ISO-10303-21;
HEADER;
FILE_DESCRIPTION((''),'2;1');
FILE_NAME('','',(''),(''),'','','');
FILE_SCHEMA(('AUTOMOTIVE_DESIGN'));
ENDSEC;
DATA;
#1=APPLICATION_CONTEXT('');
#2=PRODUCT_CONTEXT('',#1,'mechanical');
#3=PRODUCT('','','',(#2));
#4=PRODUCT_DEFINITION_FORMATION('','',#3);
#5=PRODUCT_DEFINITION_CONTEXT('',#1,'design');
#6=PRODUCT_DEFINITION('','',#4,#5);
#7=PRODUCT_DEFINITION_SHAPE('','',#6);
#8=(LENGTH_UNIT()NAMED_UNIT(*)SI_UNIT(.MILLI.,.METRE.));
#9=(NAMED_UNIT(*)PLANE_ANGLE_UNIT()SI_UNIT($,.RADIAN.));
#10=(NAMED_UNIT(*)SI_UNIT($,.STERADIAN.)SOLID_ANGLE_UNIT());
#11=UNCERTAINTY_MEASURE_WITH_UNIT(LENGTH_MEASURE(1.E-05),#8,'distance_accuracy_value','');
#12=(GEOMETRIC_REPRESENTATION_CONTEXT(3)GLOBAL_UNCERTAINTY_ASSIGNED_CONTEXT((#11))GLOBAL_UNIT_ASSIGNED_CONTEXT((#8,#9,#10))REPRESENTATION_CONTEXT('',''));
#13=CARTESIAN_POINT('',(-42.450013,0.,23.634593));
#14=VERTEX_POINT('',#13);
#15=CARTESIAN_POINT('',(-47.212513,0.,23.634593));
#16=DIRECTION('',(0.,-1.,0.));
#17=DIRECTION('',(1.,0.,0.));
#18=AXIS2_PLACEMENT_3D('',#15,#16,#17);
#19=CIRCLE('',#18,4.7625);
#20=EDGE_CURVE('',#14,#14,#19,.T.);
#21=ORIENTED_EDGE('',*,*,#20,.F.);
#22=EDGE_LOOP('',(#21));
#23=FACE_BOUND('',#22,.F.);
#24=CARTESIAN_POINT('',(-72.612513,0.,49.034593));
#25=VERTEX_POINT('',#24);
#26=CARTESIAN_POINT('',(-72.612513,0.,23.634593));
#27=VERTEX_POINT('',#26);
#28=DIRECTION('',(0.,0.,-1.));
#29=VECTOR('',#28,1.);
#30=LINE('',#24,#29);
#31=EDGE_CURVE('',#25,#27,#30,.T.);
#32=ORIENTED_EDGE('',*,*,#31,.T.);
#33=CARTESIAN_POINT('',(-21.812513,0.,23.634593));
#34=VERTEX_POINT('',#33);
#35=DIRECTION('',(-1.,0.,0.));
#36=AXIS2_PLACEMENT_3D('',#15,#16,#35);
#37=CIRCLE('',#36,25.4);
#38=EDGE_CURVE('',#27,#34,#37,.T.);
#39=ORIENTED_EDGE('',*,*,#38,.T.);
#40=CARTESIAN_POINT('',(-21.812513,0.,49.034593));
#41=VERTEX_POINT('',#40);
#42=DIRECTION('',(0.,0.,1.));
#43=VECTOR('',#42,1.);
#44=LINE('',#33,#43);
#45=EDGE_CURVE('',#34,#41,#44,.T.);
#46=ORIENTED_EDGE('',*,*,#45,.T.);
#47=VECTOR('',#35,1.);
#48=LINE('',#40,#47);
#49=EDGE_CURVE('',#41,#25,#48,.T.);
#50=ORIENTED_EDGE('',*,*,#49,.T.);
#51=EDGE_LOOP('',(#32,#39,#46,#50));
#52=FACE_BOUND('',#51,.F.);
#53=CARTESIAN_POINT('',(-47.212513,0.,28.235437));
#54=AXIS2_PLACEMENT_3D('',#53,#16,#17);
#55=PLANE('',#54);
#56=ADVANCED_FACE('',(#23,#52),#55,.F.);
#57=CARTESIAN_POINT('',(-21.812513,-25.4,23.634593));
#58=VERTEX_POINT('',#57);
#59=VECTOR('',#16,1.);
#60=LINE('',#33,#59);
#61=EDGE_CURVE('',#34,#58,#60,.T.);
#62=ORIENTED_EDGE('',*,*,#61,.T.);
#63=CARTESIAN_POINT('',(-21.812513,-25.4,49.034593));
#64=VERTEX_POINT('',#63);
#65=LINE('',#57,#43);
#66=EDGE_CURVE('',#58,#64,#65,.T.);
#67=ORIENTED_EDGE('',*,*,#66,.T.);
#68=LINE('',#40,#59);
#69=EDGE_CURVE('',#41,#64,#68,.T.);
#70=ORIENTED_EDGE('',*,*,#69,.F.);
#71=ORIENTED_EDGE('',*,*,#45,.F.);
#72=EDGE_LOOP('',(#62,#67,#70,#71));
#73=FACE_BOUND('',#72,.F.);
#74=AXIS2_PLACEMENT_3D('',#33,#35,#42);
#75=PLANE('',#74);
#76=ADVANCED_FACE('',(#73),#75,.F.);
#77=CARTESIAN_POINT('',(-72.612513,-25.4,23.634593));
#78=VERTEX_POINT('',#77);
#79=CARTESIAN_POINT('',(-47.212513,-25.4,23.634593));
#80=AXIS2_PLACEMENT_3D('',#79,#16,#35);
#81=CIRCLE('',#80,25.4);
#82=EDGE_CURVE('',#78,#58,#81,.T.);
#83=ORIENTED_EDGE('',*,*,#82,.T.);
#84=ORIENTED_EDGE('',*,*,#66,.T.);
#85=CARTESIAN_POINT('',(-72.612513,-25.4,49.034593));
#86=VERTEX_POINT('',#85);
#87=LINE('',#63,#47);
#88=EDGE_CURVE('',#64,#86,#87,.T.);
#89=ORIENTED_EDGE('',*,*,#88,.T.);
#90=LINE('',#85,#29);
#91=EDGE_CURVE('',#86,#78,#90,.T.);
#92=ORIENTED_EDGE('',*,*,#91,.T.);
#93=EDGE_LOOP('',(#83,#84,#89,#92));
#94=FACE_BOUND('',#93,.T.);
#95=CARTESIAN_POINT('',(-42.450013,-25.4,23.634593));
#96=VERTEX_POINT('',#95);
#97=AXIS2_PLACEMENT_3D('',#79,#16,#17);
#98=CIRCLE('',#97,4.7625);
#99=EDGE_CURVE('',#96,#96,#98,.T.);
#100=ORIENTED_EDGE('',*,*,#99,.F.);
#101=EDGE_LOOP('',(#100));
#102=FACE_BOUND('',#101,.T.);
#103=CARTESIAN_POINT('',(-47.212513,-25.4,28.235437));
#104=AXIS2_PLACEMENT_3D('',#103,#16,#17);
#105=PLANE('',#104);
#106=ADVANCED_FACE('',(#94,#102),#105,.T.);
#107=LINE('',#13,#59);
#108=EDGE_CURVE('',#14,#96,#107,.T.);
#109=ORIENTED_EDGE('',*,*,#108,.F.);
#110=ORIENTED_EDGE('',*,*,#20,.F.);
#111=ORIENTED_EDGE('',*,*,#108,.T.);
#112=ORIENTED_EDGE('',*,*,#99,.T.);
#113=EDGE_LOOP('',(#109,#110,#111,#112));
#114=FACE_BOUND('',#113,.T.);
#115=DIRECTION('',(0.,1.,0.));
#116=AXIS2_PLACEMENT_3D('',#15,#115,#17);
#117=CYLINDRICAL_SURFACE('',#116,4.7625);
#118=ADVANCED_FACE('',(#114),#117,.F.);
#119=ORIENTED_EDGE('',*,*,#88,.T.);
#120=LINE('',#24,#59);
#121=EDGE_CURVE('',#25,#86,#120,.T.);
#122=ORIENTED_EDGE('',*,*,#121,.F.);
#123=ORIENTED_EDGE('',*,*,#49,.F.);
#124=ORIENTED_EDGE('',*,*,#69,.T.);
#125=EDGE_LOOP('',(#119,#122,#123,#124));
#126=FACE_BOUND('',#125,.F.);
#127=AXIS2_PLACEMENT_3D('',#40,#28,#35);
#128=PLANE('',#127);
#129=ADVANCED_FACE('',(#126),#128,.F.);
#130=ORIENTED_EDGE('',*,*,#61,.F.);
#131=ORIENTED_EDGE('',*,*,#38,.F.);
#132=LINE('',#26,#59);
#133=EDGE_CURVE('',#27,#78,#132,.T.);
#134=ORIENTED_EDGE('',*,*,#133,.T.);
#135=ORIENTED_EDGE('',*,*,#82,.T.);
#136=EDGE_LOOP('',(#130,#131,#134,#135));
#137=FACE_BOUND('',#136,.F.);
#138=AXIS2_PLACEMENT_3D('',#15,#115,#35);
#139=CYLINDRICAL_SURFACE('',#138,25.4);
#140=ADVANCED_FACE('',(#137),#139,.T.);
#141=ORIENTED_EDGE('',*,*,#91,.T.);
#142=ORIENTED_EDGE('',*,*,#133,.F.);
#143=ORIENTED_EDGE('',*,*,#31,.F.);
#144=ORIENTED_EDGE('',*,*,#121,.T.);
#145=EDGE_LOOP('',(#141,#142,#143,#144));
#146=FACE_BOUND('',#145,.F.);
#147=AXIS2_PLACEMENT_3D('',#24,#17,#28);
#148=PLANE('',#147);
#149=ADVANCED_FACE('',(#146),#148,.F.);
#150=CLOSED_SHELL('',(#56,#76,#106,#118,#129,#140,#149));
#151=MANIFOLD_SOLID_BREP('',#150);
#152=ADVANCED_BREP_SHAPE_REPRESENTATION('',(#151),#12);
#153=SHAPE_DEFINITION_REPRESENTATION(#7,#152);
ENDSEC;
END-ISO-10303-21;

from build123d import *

# Parameters (mm, degrees)
F0_R     = 4.7625
F1_DEPTH = 25.4


with BuildPart() as f1:
    # F0 (on Front) → F1 (new body)
    with BuildSketch(Plane.XZ):
        with BuildLine():
            ThreePointArc((-72.612513, 23.634593), (-47.212513, -1.765407), (-21.812513, 23.634593))
            Line((-21.812513, 23.634593), (-21.812513, 49.034593))
            Line((-21.812513, 49.034593), (-72.612513, 49.034593))
            Line((-72.612513, 49.034593), (-72.612513, 23.634593))
        make_face()
        with Locations((-47.212513, 23.634593)):
            Circle(F0_R, mode=Mode.SUBTRACT)
    extrude(amount=F1_DEPTH)


solid = f1.part
